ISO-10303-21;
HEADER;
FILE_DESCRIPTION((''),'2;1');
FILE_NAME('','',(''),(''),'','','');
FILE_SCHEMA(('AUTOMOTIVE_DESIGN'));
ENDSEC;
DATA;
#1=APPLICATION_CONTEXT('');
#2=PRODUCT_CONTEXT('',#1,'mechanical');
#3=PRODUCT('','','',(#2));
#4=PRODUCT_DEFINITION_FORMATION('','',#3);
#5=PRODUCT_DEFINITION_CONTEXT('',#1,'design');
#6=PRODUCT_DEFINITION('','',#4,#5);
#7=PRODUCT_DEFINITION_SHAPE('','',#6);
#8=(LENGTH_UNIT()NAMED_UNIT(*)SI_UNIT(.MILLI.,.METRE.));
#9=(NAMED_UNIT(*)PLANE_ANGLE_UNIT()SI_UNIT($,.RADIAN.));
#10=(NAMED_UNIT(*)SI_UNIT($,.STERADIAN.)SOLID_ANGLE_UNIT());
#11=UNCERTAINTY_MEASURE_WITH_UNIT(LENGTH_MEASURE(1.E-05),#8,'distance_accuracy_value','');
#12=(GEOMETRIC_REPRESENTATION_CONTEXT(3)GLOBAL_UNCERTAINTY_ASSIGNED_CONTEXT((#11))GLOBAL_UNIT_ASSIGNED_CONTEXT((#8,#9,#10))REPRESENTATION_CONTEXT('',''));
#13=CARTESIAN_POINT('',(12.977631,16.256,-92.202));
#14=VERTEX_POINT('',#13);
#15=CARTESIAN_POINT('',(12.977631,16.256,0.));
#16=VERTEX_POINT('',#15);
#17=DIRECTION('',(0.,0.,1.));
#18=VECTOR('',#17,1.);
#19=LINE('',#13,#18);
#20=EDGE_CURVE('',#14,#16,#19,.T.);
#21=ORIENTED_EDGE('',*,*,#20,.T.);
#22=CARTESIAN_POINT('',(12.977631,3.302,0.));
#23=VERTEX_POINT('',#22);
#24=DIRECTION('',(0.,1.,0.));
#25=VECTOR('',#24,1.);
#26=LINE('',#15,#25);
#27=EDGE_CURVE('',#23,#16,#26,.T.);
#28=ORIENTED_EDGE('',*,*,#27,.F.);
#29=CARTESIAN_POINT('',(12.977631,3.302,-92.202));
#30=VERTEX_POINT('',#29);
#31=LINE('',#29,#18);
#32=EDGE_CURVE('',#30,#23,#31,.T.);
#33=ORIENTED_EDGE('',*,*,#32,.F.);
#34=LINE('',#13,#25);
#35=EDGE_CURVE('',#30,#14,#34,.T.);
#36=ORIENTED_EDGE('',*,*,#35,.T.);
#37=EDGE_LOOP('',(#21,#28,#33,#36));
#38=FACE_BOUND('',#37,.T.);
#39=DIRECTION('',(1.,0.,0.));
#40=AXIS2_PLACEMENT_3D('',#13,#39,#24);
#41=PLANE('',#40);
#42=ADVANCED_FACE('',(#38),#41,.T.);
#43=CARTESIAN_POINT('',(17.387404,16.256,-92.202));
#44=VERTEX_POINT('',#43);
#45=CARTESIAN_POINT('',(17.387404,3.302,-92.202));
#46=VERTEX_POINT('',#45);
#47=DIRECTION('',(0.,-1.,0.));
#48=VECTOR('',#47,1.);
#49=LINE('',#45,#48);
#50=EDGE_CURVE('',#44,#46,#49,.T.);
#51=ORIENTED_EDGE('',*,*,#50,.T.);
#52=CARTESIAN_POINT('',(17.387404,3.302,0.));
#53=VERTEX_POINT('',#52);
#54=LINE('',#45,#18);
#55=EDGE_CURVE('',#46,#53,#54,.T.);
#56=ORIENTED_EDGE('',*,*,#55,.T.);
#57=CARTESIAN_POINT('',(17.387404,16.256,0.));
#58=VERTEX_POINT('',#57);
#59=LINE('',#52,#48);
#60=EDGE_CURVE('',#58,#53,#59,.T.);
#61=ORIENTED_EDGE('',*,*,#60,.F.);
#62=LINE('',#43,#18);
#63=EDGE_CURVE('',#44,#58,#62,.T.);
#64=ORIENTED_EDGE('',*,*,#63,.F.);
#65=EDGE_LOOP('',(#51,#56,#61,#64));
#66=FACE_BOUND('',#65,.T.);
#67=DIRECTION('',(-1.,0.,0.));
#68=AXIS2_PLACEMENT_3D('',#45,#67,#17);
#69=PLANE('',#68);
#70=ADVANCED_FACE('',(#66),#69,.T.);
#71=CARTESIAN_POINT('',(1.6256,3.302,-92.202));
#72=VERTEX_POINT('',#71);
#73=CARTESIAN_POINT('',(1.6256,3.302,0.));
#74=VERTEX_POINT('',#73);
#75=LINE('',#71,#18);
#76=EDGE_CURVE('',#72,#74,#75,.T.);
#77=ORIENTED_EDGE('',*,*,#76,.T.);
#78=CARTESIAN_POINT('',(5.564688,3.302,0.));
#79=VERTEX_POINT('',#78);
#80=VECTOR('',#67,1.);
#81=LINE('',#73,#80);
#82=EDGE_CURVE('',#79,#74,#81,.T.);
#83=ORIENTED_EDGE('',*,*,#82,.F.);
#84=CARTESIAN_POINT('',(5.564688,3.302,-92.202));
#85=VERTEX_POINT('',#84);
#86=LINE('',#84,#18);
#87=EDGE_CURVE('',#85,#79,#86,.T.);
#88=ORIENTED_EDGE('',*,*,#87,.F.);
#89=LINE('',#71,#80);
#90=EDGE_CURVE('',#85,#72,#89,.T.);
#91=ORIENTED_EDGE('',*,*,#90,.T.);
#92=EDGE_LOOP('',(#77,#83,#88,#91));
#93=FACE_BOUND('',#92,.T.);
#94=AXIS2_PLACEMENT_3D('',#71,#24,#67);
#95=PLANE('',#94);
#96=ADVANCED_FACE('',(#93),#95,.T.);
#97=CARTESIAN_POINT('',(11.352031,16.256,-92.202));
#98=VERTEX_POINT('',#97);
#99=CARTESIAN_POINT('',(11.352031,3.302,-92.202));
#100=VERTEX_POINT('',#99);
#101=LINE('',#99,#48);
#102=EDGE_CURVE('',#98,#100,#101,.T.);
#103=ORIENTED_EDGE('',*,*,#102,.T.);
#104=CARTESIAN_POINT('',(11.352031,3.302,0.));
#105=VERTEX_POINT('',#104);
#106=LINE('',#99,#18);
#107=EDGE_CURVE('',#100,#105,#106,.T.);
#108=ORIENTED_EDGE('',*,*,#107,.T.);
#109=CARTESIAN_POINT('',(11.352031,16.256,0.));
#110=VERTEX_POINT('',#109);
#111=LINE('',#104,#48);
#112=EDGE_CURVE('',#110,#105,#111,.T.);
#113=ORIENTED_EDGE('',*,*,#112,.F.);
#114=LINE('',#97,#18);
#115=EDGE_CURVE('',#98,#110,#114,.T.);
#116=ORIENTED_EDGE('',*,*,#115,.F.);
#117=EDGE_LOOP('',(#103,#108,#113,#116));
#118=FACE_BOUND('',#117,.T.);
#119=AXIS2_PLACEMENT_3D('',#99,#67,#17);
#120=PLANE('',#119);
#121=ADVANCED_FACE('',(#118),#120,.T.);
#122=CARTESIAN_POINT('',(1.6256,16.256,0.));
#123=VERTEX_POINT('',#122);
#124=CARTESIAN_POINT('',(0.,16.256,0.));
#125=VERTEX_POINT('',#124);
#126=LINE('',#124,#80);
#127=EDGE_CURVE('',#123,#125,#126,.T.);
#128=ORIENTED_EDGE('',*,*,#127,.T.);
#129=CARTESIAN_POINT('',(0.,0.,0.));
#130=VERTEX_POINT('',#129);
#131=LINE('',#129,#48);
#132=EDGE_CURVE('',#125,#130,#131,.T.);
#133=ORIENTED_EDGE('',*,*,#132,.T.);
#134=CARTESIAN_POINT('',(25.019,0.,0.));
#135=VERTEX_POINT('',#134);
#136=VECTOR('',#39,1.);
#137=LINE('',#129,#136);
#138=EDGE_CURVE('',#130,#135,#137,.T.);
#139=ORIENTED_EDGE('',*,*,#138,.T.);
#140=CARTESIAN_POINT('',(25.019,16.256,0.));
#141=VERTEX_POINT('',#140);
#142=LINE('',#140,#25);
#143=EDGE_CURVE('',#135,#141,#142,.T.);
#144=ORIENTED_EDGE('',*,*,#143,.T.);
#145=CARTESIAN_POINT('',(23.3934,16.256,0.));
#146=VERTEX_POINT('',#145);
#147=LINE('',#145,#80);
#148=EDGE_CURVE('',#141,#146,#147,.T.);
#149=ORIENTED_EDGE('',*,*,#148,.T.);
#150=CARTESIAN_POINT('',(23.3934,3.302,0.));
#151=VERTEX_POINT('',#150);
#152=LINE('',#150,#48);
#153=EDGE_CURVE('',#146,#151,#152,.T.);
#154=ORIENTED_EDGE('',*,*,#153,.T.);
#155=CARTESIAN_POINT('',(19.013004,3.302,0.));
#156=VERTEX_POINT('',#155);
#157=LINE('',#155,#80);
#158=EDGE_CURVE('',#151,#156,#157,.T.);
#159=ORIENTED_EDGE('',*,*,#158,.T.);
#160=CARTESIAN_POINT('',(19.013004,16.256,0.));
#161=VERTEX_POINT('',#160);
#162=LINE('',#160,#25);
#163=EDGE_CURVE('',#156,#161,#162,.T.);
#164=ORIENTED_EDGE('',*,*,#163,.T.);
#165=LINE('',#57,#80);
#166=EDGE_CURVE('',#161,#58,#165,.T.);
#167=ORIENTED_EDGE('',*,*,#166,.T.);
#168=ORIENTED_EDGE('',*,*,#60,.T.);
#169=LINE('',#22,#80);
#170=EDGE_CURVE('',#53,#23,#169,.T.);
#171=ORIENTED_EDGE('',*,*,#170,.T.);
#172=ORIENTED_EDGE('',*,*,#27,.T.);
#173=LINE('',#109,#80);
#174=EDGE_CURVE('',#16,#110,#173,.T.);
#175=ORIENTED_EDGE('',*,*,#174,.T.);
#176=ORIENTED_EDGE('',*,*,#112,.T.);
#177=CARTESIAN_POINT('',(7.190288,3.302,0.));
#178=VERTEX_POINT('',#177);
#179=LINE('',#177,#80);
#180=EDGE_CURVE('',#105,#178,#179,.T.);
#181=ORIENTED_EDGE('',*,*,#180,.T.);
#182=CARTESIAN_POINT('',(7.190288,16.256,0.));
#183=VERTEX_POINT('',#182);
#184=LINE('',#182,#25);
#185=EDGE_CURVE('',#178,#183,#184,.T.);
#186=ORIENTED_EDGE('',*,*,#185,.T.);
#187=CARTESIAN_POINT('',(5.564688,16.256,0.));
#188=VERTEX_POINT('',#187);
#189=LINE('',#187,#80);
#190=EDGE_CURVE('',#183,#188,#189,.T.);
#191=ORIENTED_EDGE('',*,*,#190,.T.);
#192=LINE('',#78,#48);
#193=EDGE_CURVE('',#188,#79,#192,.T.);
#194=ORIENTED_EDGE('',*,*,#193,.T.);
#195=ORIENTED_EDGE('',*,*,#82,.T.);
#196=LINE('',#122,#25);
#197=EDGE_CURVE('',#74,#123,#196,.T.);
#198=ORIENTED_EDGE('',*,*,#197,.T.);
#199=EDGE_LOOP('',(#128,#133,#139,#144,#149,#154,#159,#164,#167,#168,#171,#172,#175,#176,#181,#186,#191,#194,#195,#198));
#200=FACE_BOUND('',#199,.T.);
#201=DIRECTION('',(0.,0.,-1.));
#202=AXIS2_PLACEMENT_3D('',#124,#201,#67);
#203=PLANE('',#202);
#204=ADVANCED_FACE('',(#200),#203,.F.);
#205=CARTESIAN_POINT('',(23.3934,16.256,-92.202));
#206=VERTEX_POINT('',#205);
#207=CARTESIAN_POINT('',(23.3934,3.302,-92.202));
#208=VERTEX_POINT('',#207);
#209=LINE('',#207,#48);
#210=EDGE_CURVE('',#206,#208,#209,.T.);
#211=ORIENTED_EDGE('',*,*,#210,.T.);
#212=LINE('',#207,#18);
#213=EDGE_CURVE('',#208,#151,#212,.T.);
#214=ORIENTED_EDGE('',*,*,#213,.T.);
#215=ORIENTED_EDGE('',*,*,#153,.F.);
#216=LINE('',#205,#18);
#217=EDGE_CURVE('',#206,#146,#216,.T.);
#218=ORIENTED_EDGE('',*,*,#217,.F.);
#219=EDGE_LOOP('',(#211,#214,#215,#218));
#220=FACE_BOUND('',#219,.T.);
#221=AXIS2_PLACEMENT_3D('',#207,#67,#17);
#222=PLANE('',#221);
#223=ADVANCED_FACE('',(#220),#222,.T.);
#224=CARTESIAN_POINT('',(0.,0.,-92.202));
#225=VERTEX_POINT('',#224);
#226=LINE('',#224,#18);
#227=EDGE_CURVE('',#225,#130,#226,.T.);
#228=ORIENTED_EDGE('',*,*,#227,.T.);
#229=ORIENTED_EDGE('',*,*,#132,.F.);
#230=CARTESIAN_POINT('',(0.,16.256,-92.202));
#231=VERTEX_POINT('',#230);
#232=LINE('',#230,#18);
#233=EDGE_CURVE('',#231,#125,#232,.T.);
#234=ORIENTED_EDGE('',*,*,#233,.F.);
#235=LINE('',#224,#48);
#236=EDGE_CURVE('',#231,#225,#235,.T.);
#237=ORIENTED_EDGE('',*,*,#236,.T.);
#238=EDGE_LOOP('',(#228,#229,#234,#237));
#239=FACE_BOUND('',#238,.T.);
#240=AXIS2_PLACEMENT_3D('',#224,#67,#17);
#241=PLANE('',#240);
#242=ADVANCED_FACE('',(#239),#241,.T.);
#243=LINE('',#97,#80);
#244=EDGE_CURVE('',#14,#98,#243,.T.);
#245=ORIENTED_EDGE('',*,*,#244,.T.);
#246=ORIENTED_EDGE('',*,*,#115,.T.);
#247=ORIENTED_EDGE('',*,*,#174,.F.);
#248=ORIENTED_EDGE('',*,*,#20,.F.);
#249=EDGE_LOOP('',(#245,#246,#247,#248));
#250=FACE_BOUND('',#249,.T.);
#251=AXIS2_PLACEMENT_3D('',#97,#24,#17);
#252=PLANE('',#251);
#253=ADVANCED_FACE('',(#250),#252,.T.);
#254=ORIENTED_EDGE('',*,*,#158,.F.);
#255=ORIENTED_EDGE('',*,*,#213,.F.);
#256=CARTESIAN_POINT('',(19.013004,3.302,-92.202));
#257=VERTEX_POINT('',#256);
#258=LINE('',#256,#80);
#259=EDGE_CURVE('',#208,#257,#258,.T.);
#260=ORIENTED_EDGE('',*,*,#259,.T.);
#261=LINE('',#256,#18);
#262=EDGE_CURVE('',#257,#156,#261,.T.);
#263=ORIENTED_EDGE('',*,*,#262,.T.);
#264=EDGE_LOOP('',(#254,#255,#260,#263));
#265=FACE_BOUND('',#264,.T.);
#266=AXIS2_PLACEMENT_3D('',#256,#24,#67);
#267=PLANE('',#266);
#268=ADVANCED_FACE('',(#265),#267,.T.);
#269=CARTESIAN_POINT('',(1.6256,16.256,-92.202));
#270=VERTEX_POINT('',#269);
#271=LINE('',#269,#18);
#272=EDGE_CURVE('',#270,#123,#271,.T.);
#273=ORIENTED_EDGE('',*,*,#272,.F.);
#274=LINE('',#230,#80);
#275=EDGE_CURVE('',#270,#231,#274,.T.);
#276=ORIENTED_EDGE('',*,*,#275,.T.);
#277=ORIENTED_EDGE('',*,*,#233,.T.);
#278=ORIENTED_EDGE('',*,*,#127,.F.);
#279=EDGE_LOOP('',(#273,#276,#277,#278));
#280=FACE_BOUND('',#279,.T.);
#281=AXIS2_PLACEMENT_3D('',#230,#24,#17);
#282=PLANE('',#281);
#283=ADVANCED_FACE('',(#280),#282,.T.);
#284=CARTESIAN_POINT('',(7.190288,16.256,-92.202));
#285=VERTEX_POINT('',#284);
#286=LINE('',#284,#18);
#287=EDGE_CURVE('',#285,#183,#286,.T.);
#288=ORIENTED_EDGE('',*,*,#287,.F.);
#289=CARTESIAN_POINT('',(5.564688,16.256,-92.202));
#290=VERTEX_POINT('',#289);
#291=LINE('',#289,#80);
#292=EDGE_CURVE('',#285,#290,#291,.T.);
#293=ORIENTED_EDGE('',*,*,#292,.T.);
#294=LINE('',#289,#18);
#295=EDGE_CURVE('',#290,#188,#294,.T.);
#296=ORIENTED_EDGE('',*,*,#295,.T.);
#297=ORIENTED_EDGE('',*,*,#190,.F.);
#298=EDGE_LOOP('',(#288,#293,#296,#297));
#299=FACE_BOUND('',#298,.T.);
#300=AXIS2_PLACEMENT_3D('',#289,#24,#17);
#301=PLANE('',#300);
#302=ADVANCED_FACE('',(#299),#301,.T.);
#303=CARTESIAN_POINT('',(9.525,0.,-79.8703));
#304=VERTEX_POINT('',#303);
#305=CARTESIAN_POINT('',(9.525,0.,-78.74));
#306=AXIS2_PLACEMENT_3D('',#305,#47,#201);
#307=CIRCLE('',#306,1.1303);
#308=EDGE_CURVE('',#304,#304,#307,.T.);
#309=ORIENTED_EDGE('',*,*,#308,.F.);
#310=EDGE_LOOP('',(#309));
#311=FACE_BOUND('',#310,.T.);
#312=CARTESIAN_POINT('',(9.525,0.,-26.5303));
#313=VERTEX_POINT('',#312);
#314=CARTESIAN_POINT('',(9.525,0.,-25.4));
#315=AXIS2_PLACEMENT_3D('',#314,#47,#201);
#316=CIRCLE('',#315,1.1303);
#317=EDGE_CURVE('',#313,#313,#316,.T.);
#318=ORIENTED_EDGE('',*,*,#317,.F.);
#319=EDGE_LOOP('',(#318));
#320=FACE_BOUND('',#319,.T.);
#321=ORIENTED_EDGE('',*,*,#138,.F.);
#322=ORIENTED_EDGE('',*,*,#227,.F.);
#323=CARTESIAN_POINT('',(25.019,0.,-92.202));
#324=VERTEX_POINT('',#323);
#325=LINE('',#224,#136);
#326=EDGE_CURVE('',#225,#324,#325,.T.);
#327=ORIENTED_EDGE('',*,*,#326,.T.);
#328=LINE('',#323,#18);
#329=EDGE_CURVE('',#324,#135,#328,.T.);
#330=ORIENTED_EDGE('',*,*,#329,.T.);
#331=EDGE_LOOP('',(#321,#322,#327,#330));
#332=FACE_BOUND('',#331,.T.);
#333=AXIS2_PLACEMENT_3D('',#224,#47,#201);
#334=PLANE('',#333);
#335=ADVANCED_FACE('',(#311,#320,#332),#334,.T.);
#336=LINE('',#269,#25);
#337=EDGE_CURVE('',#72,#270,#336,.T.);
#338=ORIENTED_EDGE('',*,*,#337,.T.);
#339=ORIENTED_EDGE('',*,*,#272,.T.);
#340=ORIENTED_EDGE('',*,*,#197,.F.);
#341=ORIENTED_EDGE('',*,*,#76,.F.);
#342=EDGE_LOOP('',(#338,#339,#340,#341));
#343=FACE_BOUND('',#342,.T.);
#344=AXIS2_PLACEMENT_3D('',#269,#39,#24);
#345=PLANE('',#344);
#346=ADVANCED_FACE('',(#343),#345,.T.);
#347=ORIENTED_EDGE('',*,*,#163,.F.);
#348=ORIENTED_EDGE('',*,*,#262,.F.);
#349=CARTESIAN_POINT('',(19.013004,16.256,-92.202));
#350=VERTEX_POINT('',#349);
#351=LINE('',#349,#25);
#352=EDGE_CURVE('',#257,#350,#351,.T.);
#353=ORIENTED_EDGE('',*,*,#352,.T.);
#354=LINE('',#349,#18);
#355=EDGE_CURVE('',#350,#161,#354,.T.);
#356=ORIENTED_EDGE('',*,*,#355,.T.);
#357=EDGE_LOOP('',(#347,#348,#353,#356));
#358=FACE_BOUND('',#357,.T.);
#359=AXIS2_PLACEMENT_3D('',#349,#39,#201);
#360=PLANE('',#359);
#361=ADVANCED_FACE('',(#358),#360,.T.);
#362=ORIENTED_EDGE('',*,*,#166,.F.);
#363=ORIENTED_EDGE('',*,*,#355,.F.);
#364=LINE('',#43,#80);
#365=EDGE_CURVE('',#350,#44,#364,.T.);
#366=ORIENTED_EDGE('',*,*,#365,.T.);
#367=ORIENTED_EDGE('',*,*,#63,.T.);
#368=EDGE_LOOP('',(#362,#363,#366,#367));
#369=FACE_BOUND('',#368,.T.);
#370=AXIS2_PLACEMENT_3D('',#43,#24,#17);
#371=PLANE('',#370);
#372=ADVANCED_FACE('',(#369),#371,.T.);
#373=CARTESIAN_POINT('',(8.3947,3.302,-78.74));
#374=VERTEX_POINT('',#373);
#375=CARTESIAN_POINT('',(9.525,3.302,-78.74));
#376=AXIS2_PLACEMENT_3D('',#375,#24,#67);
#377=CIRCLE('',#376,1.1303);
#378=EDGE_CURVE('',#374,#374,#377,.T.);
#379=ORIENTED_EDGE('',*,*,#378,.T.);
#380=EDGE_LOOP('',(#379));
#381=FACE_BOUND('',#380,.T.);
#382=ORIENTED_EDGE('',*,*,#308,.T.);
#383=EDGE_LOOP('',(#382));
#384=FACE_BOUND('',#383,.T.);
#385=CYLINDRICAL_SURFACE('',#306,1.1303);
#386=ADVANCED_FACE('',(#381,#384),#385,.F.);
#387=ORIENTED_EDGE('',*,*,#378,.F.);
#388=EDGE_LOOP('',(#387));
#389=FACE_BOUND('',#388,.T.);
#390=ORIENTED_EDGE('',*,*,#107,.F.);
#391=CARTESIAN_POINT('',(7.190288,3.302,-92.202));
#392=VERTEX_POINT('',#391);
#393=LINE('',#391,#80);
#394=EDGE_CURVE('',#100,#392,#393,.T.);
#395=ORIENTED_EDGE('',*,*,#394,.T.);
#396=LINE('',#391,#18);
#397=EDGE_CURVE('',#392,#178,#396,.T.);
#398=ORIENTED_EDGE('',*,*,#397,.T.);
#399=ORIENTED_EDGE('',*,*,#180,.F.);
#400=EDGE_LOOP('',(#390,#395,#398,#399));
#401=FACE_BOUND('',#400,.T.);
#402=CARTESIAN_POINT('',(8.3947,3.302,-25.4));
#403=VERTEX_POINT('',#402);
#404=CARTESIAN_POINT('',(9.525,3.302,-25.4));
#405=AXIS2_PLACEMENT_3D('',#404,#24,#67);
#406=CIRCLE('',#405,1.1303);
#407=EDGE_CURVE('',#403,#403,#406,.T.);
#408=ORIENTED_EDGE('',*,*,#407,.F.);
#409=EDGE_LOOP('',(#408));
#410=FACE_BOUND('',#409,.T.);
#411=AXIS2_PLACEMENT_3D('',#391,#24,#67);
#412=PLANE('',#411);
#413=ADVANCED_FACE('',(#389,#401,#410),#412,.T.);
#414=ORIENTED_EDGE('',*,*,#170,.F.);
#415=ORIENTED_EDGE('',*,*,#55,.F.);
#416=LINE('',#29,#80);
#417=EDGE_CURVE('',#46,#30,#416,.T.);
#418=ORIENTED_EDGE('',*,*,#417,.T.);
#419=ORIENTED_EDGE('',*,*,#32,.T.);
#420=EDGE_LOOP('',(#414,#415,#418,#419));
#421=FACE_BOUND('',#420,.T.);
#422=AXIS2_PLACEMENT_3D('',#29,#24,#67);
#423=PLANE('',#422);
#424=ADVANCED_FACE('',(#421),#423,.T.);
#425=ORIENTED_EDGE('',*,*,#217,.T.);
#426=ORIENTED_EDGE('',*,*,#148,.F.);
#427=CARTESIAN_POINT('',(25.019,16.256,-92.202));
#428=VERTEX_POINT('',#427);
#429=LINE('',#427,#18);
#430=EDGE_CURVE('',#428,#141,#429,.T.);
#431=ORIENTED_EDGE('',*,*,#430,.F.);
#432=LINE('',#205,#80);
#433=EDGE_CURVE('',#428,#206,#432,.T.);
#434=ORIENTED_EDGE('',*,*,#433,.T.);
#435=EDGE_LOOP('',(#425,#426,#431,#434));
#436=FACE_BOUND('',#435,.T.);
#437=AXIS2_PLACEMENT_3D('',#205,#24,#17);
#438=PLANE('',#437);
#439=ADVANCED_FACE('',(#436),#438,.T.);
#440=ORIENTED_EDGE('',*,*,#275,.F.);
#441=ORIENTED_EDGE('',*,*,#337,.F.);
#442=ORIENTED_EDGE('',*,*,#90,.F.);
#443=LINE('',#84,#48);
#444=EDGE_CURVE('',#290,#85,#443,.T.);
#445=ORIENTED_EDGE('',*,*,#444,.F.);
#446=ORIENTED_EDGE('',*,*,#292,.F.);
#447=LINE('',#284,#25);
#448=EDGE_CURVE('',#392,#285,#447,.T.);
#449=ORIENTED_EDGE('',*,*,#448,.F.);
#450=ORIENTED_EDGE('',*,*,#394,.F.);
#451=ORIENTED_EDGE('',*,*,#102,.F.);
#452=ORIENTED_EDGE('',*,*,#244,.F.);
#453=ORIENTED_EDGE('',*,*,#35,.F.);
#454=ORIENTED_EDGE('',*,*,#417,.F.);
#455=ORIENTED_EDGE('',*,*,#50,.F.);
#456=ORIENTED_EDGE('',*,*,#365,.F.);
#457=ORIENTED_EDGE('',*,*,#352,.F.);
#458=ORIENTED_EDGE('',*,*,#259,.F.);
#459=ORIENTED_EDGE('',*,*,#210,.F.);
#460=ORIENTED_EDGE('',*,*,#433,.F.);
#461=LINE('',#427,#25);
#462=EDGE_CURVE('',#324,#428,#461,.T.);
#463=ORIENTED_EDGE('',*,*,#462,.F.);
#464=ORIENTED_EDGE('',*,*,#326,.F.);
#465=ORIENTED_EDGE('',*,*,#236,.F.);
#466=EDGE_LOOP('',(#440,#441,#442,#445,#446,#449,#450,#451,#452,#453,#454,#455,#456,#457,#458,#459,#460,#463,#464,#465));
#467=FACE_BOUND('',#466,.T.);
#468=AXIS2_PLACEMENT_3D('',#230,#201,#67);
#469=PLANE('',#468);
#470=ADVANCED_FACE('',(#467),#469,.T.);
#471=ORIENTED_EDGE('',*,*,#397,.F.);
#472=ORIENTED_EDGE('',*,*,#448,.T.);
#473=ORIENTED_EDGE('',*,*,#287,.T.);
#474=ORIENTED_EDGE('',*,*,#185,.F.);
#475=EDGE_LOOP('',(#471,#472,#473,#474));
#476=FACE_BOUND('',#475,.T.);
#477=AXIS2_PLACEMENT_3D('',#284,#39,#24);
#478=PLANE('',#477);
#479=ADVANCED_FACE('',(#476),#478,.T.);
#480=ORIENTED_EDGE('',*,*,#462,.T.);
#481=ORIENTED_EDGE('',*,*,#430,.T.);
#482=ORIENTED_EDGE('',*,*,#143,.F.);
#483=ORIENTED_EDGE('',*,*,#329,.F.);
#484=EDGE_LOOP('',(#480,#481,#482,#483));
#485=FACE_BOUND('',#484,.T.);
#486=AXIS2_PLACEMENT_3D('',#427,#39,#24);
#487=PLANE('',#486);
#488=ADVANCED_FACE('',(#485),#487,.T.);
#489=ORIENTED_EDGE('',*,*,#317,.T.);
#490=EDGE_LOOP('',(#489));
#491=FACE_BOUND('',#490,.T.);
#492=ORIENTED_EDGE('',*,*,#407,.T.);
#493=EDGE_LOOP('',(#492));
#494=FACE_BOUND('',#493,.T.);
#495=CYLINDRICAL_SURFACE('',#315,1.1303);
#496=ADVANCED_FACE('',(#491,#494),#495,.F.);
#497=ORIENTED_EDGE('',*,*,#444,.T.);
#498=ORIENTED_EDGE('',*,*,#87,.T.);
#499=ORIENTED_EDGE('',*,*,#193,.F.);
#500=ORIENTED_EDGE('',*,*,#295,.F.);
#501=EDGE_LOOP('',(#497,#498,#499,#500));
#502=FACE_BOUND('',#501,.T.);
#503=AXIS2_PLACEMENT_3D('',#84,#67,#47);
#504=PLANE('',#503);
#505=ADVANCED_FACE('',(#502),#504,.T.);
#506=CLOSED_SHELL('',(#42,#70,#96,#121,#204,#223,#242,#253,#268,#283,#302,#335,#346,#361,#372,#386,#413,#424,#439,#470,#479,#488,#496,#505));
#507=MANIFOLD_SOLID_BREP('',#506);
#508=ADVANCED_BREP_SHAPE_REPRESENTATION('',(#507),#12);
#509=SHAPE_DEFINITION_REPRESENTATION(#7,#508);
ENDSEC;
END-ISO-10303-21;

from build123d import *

# Parameters (mm, degrees)
EXTRUDE1_DEPTH            = 92.202
F_4_40_TAPPED_HOLE1_D     = 2.2606
F_4_40_TAPPED_HOLE1_DEPTH = 7.5946
F_4_40_TAPPED_HOLE1_TIP   = 0.679152758


with BuildPart() as part:
    # Sketch1 → Extrude1 (new body)
    with BuildSketch(Plane.XY):
        Polygon((0, 0), (25.019, 0), (25.019, 16.256), (23.3934, 16.256), (23.3934, 3.302), (19.013003595, 3.302), (19.013003595, 16.256), (17.387403595, 16.256), (17.387403595, 3.302), (12.97763135, 3.302), (12.97763135, 16.256), (11.35203135, 16.256), (11.35203135, 3.302), (7.190288103, 3.302), (7.190288103, 16.256), (5.564688103, 16.256), (5.564688103, 3.302), (1.6256, 3.302), (1.6256, 16.256), (0, 16.256), align=None)
    extrude(amount=-EXTRUDE1_DEPTH)

    # #4-40 Tapped Hole1
    with Locations(Plane.XZ):
        with Locations((9.525, -25.4), (9.525, -78.74)):
            Hole(F_4_40_TAPPED_HOLE1_D / 2, depth=F_4_40_TAPPED_HOLE1_DEPTH)
            with Locations((0, 0, -(F_4_40_TAPPED_HOLE1_DEPTH + F_4_40_TAPPED_HOLE1_TIP / 2))):  # 118° drill point
                Cone(0, F_4_40_TAPPED_HOLE1_D / 2, F_4_40_TAPPED_HOLE1_TIP, mode=Mode.SUBTRACT)


solid = part.part
